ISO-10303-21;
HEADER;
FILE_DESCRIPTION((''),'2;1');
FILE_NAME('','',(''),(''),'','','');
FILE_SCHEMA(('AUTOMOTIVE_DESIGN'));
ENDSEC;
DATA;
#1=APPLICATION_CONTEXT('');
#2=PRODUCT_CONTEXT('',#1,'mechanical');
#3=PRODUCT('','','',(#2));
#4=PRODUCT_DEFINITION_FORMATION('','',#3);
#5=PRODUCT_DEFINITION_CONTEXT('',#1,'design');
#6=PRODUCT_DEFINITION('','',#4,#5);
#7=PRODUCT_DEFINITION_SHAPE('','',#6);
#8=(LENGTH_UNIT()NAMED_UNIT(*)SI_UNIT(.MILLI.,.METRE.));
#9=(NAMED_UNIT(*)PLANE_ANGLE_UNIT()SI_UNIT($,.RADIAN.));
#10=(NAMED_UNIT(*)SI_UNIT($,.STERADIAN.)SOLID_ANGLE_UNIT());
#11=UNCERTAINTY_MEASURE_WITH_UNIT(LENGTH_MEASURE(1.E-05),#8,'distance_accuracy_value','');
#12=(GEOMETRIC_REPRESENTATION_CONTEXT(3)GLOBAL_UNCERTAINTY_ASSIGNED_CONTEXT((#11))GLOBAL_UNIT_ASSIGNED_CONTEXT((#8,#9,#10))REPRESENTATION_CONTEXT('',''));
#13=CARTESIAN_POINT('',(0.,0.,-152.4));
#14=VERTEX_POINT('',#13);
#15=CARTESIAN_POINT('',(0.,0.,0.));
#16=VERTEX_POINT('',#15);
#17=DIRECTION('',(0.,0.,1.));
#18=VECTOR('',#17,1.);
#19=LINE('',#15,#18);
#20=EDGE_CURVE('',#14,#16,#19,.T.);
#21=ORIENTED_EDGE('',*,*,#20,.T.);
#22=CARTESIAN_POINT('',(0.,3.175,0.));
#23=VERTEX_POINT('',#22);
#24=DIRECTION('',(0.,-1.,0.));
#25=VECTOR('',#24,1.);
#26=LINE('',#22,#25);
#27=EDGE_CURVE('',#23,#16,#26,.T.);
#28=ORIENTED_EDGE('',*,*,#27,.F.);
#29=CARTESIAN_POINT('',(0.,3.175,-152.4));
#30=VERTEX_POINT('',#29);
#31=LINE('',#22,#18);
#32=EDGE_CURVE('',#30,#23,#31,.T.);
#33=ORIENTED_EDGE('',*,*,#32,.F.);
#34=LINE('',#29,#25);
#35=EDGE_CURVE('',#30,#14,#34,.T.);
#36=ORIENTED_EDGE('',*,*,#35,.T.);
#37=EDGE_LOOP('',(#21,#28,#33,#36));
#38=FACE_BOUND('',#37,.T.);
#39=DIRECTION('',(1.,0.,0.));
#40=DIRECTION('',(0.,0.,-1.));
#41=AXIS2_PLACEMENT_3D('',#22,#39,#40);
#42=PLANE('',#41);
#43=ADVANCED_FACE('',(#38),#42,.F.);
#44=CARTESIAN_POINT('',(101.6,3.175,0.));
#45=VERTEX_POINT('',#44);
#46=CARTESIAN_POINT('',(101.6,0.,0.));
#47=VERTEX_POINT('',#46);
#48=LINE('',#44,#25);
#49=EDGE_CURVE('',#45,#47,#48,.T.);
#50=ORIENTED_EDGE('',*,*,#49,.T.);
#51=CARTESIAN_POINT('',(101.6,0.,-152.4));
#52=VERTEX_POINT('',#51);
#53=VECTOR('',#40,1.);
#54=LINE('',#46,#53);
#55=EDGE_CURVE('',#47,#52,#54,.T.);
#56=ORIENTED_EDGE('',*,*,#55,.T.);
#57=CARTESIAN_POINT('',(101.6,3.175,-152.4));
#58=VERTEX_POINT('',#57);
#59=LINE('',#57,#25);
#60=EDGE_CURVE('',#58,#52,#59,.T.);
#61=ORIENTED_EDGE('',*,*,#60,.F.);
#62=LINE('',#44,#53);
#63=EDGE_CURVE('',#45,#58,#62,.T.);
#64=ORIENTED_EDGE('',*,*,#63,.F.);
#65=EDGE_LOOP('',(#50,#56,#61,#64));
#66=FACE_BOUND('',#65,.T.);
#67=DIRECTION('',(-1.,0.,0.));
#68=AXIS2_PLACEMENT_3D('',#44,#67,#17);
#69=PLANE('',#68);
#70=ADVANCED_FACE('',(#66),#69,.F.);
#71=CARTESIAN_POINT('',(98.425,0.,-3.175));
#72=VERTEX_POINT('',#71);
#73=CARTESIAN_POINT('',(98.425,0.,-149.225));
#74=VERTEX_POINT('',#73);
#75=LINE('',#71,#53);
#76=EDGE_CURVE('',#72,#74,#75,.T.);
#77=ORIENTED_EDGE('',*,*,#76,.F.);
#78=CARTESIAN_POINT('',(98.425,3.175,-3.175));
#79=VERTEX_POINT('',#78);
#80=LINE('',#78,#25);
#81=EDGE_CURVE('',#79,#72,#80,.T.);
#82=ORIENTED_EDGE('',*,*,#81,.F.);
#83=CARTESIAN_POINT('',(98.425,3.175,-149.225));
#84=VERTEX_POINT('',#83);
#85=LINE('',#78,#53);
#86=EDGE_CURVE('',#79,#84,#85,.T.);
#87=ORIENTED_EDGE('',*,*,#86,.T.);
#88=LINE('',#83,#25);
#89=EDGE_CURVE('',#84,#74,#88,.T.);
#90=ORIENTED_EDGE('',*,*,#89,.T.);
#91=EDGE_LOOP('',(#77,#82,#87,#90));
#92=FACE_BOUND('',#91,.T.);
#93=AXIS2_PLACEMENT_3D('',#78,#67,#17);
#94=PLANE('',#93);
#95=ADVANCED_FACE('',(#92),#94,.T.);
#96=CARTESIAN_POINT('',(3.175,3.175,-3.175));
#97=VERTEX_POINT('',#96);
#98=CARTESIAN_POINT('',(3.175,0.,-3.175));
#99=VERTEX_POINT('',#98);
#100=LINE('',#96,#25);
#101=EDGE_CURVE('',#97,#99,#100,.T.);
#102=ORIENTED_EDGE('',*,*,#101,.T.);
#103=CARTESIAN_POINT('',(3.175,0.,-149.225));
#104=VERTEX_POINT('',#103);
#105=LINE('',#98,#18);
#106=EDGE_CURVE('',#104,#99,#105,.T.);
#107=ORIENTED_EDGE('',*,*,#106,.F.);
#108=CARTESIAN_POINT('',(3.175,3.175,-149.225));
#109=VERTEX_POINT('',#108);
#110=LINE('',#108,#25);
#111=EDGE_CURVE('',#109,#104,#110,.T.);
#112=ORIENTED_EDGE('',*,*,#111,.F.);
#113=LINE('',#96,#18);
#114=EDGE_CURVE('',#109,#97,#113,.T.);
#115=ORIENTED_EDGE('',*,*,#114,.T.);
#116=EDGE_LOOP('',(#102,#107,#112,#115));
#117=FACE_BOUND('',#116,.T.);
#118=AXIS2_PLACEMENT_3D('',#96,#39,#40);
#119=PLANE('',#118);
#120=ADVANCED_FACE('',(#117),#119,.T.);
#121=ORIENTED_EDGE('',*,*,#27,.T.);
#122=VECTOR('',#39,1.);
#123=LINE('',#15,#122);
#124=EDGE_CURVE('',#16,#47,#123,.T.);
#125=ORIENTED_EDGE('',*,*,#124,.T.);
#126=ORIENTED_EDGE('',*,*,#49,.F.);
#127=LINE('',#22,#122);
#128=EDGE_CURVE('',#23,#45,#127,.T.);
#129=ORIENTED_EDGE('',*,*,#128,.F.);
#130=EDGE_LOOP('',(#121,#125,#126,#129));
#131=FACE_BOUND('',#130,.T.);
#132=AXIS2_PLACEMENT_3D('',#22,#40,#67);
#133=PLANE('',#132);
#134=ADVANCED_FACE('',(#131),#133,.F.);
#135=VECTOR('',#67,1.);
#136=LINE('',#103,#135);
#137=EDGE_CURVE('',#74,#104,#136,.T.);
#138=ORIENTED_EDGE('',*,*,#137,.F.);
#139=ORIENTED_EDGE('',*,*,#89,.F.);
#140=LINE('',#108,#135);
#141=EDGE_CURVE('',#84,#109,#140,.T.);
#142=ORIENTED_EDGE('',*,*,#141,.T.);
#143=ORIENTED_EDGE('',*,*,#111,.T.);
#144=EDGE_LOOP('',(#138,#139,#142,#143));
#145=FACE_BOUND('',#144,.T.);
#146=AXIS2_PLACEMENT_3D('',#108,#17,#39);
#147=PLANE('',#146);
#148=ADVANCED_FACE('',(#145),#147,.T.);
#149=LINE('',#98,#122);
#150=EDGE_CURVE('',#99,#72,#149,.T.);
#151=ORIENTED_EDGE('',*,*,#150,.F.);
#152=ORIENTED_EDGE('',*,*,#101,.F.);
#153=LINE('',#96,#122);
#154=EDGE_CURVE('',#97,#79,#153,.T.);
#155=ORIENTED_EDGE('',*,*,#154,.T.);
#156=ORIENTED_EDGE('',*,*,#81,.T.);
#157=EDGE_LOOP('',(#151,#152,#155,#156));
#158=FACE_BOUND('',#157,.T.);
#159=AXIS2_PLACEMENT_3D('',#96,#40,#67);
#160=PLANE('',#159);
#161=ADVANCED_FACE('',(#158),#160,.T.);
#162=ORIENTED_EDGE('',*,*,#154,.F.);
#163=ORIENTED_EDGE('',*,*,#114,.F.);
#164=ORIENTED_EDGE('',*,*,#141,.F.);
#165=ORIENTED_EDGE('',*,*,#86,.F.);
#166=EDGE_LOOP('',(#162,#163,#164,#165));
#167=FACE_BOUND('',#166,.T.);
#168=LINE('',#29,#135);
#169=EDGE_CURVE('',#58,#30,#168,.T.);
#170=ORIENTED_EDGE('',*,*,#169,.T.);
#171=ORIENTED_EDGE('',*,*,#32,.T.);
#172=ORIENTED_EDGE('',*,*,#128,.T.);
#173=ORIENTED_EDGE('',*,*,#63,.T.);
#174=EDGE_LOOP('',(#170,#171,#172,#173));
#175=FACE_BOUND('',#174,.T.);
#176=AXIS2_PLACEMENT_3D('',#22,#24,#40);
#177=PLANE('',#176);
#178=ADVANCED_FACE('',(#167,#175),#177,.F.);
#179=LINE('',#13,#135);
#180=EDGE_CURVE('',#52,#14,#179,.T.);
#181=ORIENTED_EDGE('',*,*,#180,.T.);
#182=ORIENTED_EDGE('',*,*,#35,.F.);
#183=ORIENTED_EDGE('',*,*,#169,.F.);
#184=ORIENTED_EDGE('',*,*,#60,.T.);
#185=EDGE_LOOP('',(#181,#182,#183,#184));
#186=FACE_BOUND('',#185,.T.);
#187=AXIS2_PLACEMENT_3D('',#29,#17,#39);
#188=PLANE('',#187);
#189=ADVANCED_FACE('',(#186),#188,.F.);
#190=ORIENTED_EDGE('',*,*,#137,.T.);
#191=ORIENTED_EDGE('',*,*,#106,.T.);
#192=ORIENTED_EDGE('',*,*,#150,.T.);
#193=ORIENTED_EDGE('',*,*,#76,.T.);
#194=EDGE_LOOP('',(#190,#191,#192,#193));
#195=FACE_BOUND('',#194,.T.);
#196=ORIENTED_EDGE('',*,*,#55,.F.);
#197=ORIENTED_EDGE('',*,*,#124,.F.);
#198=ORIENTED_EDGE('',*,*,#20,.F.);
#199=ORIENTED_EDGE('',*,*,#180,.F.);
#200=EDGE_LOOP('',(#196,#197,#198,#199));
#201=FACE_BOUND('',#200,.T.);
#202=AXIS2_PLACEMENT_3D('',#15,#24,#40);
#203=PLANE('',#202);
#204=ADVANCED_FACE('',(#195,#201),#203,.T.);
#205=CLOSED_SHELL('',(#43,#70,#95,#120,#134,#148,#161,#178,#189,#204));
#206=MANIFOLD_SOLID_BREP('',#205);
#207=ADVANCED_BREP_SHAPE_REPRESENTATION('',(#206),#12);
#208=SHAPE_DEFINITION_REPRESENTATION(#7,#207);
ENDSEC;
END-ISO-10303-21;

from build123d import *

# Parameters (mm, degrees)
SKETCH1_W           = 101.6
SKETCH1_H           = 152.4
SKETCH1_W_2         = 95.25
SKETCH1_H_2         = 146.05
BOSS_EXTRUDE1_DEPTH = 3.175


with BuildPart() as part:
    # Sketch1 → Boss-Extrude1 (new body)
    with BuildSketch(Plane(origin=(0, 0, 0), x_dir=(1, 0, 0), z_dir=(0, 1, 0))):
        with Locations((50.8, 76.2)):
            Rectangle(SKETCH1_W, SKETCH1_H)
        with Locations((50.8, 76.2)):
            Rectangle(SKETCH1_W_2, SKETCH1_H_2, mode=Mode.SUBTRACT)
    extrude(amount=BOSS_EXTRUDE1_DEPTH)


solid = part.part
